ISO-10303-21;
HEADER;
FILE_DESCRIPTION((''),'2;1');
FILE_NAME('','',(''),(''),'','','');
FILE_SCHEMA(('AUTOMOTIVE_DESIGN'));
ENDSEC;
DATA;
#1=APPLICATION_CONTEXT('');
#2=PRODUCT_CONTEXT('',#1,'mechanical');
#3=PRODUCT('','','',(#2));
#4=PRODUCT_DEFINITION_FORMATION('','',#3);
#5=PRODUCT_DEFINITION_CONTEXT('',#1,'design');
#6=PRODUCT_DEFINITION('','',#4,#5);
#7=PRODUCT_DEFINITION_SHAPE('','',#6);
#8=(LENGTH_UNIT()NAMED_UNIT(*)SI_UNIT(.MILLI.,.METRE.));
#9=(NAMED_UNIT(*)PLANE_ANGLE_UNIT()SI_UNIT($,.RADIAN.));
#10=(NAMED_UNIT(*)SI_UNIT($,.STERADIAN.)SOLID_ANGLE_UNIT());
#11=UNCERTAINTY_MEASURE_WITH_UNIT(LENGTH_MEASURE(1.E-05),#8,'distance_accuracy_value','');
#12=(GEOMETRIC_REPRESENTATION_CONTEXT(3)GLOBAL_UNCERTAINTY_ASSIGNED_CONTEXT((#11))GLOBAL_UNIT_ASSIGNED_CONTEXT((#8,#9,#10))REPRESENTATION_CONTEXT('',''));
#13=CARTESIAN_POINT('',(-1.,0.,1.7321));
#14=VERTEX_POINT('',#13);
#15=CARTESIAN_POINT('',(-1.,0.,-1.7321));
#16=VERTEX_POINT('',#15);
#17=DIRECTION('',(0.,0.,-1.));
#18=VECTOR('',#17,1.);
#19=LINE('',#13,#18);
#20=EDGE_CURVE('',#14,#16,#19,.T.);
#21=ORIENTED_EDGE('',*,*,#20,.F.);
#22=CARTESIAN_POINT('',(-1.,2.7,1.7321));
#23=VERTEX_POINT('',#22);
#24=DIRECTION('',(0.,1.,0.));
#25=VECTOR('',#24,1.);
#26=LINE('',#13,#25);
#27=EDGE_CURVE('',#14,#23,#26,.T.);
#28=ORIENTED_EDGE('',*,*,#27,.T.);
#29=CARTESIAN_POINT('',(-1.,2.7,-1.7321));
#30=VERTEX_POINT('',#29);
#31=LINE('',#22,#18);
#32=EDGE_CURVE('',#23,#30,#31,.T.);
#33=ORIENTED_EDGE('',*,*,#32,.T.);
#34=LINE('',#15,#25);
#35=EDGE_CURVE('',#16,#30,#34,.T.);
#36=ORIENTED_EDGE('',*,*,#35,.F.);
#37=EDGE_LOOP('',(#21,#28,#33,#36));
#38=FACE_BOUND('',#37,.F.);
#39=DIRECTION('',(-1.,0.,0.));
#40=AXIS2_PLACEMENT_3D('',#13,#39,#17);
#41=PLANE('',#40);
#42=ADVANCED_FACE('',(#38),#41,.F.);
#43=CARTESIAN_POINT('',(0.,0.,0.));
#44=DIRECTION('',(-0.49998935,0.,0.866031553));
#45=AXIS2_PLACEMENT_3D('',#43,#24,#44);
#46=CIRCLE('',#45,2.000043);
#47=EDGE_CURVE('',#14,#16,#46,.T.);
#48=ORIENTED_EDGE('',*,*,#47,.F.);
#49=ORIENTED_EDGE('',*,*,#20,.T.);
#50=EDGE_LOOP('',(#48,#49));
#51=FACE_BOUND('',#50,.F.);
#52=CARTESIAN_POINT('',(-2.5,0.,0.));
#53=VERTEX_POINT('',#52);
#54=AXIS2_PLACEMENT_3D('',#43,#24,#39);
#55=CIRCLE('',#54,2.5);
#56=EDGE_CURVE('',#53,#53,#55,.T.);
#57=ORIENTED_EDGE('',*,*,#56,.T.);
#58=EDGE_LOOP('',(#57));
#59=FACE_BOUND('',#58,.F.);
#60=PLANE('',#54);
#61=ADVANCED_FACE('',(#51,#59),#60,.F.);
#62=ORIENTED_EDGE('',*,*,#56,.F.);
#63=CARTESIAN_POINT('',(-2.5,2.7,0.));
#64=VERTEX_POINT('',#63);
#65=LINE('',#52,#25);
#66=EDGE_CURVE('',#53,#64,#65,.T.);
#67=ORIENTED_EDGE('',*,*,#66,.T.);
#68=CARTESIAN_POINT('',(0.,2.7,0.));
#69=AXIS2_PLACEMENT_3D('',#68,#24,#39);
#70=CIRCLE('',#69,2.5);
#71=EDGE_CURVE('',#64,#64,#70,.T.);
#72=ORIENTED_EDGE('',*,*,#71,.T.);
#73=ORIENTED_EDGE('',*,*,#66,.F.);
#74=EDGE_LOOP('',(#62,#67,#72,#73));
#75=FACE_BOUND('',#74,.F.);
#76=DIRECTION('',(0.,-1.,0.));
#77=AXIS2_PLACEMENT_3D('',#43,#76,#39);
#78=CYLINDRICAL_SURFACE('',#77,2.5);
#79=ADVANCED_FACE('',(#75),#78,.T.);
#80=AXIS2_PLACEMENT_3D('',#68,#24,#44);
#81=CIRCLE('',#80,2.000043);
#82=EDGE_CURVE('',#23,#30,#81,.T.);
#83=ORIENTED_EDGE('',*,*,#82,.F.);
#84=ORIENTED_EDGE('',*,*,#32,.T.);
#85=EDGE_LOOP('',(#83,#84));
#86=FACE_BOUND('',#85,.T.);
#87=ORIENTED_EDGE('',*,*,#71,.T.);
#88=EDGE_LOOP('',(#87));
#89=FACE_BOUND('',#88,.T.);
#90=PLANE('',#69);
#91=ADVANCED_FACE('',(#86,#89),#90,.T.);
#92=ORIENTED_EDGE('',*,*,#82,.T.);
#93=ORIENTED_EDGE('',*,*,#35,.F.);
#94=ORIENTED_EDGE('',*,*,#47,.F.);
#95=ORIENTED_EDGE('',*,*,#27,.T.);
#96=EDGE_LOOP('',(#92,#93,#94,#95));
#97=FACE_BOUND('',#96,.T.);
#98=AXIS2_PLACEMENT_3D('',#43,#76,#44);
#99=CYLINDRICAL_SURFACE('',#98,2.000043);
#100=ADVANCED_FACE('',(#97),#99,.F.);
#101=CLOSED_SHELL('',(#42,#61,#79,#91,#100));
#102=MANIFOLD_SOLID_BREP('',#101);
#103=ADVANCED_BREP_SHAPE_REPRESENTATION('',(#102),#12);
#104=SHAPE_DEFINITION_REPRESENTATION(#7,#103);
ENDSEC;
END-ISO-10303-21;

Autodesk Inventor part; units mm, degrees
ref_plane "YZ Plane" through (0, 0, 0) normal (1, 0, 0) x (0, 1, 0)
ref_plane "XZ Plane" through (0, 0, 0) normal (0, 1, 0) x (-1, 0, 0)
ref_plane "XY Plane" through (0, 0, 0) normal (0, 0, 1) x (1, 0, 0)
sketch "Sketch1" plane through (0, 0, 0) normal (0, 1, 0) x (-1, 0, 0)
  arc A0 (1, -1.7321) -> (1, 1.7321) centre (0, 0) ccw construction
  line L0 (1, 1.7321) -> (1, -1.7321)
  circle A1 centre (0, 0) radius 2.5
  arc A2 (1, 1.7321) -> (1, -1.7321) centre (0, 0) ccw
  dimension "d0" = 4
  dimension "d1" = 3
  dimension "d2" = 5
extrude "Extrusion1" add sketch "Sketch1" along normal blind 2.7
properties part number "potentiometerspinny"
